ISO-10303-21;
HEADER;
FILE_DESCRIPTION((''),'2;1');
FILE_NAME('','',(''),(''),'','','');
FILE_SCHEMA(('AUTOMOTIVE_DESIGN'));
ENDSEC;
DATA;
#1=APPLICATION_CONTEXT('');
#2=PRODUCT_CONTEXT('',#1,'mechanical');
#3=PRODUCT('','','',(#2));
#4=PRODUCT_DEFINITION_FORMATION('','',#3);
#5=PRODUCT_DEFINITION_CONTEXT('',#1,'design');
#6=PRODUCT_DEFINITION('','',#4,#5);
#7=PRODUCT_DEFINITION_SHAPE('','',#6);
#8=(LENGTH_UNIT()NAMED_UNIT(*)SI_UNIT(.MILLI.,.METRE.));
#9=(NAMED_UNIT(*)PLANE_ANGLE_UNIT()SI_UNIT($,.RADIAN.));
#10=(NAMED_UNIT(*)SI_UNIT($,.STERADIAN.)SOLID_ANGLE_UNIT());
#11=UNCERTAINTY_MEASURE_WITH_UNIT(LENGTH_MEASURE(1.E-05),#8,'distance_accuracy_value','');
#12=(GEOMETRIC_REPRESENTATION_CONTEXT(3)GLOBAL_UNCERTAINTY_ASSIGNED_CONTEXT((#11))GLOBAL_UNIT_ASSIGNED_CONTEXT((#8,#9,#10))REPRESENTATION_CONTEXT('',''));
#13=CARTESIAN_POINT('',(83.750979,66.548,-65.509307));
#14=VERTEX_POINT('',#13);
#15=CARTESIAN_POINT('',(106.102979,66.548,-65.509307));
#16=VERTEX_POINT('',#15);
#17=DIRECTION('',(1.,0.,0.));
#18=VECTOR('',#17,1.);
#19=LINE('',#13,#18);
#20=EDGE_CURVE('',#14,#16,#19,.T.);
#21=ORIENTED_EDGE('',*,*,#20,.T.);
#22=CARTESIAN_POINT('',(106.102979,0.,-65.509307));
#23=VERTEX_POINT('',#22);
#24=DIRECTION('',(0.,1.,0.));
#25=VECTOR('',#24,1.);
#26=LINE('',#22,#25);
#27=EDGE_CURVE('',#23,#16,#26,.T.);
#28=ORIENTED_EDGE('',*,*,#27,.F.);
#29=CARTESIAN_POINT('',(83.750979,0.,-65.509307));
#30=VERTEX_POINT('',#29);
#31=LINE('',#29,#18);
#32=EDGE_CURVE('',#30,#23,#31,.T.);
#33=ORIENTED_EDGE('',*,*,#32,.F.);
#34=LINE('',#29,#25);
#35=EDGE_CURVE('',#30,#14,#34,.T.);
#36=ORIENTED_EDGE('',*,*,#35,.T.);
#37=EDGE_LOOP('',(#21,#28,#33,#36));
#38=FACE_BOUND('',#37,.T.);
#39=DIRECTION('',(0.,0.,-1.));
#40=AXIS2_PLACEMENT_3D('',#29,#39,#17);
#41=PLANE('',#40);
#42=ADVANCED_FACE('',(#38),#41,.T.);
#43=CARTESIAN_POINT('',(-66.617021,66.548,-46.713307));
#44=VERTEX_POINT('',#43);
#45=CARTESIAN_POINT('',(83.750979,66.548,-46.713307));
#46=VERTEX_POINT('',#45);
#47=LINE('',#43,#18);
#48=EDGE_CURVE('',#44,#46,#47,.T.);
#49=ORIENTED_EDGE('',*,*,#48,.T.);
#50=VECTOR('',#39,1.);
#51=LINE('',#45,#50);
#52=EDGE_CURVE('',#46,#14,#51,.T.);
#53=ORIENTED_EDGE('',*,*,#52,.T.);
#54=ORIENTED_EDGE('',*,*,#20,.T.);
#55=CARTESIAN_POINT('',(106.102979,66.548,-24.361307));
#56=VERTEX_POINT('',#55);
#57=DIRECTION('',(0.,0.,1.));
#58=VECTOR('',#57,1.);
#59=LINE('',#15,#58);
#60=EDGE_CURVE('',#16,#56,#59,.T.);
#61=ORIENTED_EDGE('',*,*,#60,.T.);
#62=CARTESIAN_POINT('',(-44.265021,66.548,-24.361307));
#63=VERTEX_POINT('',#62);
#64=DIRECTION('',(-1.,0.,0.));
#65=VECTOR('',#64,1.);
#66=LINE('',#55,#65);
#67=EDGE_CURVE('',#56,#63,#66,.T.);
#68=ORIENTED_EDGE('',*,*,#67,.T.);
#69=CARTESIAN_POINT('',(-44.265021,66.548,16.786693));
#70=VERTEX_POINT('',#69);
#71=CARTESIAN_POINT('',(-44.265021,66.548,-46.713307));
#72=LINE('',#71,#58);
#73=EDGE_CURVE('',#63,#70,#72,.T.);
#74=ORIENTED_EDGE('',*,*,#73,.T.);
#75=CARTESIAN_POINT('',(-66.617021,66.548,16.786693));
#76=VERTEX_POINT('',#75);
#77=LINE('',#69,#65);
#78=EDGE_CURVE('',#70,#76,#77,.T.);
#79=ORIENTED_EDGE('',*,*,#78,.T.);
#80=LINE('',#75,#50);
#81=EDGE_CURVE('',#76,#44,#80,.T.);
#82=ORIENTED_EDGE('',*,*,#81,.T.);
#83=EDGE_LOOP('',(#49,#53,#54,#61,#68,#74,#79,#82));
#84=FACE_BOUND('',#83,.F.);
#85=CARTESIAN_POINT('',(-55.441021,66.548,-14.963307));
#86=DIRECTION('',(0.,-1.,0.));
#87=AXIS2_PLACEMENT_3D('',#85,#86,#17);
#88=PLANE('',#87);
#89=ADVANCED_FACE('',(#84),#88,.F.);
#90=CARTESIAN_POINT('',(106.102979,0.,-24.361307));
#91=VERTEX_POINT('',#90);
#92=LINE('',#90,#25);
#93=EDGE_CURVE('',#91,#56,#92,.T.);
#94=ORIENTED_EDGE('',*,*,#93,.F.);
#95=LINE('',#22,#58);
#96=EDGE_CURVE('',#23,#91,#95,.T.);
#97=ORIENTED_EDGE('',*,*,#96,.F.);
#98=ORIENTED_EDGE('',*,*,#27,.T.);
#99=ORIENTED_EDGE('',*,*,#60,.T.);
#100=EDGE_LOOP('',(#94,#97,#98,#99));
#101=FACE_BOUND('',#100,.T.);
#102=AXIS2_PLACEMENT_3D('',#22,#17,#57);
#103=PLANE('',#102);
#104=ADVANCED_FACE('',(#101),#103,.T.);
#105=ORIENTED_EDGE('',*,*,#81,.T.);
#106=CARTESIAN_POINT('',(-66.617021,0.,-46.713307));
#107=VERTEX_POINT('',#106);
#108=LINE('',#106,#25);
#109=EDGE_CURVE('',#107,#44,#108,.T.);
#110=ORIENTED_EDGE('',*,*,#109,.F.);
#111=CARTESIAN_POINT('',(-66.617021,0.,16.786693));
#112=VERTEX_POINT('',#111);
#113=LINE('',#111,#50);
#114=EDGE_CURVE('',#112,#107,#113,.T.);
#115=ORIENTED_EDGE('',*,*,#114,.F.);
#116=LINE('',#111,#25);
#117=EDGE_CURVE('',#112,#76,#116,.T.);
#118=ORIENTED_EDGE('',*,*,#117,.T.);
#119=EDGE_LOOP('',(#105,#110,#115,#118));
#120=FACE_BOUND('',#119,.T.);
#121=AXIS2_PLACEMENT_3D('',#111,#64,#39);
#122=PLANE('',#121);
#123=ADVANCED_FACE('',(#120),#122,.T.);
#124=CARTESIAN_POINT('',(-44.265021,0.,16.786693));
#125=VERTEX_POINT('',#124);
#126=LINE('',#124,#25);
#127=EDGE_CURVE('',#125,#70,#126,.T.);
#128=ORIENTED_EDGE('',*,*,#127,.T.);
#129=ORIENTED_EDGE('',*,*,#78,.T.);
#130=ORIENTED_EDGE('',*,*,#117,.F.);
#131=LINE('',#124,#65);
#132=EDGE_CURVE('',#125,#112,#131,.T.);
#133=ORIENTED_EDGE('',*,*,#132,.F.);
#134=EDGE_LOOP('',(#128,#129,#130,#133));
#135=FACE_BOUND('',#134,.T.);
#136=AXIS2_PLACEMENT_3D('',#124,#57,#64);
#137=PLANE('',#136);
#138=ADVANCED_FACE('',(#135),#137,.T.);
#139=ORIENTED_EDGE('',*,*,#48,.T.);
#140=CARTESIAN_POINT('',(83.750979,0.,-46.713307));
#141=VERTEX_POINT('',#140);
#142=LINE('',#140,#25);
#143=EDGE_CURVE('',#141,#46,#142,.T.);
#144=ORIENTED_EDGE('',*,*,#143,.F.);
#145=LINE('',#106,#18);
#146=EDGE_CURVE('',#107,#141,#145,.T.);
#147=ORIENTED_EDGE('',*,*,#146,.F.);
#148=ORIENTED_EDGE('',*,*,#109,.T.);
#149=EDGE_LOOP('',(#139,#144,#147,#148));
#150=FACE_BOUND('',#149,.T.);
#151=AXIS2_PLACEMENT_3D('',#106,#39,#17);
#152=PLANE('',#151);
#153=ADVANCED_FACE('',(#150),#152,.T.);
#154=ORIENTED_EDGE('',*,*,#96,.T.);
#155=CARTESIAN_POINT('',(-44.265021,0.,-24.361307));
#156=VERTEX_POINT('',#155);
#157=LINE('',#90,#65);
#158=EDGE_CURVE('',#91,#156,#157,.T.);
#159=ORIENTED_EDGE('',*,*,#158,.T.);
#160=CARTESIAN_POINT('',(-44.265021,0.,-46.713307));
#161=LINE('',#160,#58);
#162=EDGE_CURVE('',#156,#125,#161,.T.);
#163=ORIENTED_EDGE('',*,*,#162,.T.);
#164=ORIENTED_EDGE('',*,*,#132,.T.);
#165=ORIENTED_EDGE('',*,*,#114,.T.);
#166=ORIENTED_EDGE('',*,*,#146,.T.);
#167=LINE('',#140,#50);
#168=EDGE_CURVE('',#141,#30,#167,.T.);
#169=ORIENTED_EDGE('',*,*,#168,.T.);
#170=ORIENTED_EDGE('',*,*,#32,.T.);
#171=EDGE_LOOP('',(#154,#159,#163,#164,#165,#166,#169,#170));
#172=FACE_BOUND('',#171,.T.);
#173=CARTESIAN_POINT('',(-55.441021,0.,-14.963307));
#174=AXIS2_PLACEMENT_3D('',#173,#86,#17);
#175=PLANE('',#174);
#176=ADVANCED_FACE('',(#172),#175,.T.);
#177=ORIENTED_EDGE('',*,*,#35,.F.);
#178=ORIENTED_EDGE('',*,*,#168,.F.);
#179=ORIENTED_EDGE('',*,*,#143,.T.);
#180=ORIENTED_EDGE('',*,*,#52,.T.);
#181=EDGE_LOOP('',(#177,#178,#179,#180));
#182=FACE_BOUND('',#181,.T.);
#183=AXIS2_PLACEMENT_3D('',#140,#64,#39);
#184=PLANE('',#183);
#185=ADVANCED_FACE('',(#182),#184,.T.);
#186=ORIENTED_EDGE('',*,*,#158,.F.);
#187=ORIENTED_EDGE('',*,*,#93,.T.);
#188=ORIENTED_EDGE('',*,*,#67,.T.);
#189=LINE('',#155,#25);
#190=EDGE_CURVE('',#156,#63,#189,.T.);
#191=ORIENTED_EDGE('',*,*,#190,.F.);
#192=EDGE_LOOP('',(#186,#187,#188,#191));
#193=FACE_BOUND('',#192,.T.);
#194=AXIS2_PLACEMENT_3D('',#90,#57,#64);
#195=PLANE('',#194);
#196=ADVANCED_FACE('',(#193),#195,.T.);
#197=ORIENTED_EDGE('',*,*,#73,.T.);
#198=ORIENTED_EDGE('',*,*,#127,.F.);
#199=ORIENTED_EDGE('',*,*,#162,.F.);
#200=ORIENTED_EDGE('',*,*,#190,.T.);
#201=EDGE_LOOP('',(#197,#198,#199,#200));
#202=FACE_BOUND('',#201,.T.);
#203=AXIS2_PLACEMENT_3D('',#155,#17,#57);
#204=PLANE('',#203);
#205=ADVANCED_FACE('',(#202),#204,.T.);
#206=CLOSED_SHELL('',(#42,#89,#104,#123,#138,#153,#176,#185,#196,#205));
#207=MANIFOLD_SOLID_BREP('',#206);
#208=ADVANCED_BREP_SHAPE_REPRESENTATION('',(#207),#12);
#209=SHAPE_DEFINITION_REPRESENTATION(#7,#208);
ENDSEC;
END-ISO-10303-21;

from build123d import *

# Parameters (mm, degrees)
F0_W     = 128.016
F0_H     = 22.352
F1_DEPTH = 66.548


with BuildPart() as f1:
    # F0 (on Front) → F1 (new body)
    with BuildSketch(Plane.XZ):
        Polygon((-44.265021, 16.786693), (-66.617021, 16.786693), (-66.617021, -46.713307), (-44.265021, -46.713307), (-44.265021, -24.361307), align=None)
        with Locations((19.742979, -35.537307)):
            Rectangle(F0_W, F0_H)
        Polygon((106.102979, -24.361307), (83.750979, -24.361307), (83.750979, -46.713307), (83.750979, -65.509307), (106.102979, -65.509307), align=None)
    extrude(amount=-F1_DEPTH)


solid = f1.part
